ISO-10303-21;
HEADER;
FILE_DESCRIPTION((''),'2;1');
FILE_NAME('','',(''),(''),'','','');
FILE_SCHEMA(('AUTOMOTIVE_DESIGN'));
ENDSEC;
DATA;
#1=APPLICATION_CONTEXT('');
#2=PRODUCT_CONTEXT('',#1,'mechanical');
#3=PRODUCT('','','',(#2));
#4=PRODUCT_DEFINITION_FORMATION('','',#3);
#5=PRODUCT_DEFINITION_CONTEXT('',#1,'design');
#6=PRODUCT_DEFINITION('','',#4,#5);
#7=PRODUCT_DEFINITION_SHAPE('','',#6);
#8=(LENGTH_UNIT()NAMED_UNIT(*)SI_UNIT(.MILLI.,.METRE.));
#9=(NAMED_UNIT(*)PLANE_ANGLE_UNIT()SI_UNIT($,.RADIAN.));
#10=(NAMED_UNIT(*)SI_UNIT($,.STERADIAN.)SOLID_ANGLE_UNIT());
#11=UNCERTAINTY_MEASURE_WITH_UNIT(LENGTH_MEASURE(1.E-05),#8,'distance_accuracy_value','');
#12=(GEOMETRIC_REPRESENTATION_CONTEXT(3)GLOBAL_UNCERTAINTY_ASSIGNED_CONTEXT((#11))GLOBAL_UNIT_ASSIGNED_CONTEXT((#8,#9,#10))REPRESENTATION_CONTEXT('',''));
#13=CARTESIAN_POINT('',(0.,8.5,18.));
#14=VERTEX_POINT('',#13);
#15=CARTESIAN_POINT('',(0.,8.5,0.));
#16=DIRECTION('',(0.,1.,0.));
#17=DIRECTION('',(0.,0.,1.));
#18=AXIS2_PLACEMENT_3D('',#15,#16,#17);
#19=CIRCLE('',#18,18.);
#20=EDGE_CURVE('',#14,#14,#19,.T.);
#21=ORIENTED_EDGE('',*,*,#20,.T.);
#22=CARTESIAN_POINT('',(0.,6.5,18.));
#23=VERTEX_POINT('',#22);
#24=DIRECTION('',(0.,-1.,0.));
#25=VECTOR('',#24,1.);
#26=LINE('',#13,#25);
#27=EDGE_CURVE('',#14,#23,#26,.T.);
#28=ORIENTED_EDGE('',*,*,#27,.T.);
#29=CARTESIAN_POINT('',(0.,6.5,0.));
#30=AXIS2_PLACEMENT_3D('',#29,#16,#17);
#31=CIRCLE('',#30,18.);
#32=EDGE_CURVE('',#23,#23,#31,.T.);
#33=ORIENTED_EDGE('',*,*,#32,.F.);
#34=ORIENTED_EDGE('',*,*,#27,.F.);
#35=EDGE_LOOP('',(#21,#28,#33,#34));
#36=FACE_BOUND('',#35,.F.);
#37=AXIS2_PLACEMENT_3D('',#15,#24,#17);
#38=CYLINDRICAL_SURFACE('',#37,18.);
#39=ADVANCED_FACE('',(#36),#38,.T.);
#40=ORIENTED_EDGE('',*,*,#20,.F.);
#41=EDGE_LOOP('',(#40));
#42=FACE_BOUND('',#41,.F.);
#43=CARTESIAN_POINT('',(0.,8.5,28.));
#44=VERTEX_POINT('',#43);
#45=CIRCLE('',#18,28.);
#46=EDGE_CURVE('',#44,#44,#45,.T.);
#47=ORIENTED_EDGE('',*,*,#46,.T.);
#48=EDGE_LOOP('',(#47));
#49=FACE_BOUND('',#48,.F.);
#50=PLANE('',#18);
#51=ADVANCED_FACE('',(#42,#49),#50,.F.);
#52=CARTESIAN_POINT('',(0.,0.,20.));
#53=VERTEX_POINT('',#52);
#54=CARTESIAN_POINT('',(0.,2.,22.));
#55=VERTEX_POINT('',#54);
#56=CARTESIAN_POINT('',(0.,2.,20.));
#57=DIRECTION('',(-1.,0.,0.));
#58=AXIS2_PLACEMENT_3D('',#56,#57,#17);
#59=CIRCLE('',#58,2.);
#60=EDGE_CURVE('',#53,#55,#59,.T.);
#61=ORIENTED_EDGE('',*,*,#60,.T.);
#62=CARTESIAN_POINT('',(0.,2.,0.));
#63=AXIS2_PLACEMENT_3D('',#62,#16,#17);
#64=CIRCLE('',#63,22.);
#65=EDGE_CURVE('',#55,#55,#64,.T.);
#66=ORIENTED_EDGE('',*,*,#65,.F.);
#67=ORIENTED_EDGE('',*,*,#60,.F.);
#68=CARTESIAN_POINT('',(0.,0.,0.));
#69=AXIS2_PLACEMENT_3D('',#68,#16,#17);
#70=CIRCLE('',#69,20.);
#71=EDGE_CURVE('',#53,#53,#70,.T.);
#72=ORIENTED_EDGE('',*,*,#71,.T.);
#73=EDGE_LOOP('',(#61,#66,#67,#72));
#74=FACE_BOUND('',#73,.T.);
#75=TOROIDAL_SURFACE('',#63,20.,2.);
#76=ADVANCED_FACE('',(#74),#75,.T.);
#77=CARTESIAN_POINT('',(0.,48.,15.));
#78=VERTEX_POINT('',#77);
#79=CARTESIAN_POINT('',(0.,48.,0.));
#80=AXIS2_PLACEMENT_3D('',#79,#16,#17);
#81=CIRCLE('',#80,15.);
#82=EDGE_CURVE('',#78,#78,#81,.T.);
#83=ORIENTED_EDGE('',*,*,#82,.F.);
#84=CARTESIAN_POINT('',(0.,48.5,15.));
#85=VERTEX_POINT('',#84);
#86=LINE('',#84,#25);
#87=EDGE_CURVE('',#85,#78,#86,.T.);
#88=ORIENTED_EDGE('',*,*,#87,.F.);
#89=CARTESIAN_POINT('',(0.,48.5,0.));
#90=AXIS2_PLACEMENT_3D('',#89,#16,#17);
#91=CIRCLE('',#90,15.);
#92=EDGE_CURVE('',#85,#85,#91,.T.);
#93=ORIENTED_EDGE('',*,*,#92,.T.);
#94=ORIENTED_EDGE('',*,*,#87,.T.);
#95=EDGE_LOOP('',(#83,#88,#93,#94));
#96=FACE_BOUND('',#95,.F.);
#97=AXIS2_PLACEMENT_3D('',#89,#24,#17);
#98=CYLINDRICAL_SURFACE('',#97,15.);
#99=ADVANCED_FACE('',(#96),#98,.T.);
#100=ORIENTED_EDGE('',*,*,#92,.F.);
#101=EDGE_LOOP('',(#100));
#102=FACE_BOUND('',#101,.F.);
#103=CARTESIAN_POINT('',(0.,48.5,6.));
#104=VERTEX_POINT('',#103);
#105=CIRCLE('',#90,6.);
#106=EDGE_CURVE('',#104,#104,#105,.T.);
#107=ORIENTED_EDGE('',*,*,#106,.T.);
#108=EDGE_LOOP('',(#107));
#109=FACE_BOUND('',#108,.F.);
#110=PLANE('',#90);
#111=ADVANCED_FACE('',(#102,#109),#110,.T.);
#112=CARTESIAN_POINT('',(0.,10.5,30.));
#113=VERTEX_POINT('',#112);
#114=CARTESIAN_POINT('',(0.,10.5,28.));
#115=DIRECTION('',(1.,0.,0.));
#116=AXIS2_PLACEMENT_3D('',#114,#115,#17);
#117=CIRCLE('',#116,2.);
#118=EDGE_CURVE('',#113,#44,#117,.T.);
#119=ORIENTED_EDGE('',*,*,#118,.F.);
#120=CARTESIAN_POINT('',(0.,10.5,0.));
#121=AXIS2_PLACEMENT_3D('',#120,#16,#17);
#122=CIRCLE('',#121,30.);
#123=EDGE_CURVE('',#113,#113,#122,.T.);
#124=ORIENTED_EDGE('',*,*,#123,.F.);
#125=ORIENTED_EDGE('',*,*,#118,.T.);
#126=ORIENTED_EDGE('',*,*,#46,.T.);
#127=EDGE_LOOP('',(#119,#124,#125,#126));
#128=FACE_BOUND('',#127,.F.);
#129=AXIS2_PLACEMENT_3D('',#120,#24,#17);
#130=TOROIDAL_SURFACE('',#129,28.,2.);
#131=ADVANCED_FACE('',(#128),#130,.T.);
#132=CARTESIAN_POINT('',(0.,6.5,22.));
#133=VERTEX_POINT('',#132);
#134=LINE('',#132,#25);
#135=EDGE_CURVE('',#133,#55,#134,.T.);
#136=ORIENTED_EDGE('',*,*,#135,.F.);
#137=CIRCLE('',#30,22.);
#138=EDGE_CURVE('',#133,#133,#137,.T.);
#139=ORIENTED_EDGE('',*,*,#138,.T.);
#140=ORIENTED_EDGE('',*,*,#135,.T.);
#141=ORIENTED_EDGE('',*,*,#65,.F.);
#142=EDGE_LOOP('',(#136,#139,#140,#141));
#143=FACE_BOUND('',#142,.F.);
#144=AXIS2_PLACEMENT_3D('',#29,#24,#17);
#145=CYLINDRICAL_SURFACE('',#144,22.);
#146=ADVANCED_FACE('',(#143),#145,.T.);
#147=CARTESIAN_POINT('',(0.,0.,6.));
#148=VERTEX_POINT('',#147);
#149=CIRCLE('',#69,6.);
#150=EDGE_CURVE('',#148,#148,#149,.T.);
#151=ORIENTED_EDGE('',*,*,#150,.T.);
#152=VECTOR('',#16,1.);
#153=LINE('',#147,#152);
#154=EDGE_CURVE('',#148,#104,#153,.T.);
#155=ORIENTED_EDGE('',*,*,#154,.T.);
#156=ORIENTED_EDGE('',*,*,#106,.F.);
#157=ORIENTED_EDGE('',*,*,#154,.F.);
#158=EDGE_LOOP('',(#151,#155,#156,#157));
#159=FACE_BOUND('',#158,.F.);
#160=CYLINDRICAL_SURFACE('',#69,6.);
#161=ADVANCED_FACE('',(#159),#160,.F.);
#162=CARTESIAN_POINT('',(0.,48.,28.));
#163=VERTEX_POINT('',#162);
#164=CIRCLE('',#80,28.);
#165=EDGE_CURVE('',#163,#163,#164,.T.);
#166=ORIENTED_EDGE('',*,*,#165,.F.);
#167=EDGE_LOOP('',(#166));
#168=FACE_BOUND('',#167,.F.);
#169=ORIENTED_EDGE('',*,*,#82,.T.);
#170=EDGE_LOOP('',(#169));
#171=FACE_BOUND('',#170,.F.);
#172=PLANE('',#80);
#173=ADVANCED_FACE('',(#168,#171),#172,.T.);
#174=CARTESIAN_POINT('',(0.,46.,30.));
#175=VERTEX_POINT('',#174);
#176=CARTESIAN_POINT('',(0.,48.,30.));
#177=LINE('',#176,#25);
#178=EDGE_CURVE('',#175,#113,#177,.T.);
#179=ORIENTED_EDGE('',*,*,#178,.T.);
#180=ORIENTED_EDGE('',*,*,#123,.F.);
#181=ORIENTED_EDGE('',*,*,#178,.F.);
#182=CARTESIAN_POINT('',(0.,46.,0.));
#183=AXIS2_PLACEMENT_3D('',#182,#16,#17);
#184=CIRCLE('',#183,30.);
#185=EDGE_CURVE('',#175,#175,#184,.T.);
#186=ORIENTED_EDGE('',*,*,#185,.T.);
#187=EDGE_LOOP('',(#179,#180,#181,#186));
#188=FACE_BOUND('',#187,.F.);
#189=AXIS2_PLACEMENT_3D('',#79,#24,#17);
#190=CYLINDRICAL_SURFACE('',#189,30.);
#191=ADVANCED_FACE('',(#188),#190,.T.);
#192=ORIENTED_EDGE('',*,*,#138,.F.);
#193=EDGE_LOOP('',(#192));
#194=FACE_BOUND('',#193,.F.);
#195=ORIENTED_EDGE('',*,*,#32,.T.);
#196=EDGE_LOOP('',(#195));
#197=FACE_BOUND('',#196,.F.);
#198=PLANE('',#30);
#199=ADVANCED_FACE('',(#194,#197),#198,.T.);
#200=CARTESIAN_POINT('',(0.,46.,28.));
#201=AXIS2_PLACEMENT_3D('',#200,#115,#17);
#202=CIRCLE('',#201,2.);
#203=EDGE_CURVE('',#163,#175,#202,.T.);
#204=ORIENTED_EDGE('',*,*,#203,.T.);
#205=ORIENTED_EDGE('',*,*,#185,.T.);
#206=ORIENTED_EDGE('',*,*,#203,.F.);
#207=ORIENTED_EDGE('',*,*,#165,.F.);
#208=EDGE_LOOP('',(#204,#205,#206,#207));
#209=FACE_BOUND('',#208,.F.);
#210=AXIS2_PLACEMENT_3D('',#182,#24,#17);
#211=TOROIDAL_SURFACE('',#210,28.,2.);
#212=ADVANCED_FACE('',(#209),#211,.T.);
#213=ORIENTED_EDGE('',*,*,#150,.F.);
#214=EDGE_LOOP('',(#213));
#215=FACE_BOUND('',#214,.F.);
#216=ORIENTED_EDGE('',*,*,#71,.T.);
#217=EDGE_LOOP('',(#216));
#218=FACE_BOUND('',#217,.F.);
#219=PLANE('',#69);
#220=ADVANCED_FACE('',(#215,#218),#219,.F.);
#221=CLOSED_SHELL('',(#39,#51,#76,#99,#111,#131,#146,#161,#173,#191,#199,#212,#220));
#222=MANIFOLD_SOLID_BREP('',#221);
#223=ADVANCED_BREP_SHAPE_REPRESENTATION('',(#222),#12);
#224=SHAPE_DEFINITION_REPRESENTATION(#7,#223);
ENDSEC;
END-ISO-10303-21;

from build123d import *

# Parameters (mm, degrees)
F2_R = 2


with BuildPart() as f1:
    # F0 (on Right) → F1 (revolve)
    with BuildSketch(Plane.YZ):
        Polygon((0, 22), (0, 6), (48.5, 6), (48.5, 15), (48, 15), (48, 30), (8.5, 30), (8.5, 18), (6.5, 18), (6.5, 22), align=None)
    revolve(axis=Axis((0, 19.820221, 0), (0, 1, 0)))

    # F2
    f2_edges = [f1.edges().sort_by_distance(p)[0] for p in [
        (0, 0, -22),
        (0, 8.5, -30),
        (0, 48, -30),
    ]]
    fillet(f2_edges, radius=F2_R)


solid = f1.part
